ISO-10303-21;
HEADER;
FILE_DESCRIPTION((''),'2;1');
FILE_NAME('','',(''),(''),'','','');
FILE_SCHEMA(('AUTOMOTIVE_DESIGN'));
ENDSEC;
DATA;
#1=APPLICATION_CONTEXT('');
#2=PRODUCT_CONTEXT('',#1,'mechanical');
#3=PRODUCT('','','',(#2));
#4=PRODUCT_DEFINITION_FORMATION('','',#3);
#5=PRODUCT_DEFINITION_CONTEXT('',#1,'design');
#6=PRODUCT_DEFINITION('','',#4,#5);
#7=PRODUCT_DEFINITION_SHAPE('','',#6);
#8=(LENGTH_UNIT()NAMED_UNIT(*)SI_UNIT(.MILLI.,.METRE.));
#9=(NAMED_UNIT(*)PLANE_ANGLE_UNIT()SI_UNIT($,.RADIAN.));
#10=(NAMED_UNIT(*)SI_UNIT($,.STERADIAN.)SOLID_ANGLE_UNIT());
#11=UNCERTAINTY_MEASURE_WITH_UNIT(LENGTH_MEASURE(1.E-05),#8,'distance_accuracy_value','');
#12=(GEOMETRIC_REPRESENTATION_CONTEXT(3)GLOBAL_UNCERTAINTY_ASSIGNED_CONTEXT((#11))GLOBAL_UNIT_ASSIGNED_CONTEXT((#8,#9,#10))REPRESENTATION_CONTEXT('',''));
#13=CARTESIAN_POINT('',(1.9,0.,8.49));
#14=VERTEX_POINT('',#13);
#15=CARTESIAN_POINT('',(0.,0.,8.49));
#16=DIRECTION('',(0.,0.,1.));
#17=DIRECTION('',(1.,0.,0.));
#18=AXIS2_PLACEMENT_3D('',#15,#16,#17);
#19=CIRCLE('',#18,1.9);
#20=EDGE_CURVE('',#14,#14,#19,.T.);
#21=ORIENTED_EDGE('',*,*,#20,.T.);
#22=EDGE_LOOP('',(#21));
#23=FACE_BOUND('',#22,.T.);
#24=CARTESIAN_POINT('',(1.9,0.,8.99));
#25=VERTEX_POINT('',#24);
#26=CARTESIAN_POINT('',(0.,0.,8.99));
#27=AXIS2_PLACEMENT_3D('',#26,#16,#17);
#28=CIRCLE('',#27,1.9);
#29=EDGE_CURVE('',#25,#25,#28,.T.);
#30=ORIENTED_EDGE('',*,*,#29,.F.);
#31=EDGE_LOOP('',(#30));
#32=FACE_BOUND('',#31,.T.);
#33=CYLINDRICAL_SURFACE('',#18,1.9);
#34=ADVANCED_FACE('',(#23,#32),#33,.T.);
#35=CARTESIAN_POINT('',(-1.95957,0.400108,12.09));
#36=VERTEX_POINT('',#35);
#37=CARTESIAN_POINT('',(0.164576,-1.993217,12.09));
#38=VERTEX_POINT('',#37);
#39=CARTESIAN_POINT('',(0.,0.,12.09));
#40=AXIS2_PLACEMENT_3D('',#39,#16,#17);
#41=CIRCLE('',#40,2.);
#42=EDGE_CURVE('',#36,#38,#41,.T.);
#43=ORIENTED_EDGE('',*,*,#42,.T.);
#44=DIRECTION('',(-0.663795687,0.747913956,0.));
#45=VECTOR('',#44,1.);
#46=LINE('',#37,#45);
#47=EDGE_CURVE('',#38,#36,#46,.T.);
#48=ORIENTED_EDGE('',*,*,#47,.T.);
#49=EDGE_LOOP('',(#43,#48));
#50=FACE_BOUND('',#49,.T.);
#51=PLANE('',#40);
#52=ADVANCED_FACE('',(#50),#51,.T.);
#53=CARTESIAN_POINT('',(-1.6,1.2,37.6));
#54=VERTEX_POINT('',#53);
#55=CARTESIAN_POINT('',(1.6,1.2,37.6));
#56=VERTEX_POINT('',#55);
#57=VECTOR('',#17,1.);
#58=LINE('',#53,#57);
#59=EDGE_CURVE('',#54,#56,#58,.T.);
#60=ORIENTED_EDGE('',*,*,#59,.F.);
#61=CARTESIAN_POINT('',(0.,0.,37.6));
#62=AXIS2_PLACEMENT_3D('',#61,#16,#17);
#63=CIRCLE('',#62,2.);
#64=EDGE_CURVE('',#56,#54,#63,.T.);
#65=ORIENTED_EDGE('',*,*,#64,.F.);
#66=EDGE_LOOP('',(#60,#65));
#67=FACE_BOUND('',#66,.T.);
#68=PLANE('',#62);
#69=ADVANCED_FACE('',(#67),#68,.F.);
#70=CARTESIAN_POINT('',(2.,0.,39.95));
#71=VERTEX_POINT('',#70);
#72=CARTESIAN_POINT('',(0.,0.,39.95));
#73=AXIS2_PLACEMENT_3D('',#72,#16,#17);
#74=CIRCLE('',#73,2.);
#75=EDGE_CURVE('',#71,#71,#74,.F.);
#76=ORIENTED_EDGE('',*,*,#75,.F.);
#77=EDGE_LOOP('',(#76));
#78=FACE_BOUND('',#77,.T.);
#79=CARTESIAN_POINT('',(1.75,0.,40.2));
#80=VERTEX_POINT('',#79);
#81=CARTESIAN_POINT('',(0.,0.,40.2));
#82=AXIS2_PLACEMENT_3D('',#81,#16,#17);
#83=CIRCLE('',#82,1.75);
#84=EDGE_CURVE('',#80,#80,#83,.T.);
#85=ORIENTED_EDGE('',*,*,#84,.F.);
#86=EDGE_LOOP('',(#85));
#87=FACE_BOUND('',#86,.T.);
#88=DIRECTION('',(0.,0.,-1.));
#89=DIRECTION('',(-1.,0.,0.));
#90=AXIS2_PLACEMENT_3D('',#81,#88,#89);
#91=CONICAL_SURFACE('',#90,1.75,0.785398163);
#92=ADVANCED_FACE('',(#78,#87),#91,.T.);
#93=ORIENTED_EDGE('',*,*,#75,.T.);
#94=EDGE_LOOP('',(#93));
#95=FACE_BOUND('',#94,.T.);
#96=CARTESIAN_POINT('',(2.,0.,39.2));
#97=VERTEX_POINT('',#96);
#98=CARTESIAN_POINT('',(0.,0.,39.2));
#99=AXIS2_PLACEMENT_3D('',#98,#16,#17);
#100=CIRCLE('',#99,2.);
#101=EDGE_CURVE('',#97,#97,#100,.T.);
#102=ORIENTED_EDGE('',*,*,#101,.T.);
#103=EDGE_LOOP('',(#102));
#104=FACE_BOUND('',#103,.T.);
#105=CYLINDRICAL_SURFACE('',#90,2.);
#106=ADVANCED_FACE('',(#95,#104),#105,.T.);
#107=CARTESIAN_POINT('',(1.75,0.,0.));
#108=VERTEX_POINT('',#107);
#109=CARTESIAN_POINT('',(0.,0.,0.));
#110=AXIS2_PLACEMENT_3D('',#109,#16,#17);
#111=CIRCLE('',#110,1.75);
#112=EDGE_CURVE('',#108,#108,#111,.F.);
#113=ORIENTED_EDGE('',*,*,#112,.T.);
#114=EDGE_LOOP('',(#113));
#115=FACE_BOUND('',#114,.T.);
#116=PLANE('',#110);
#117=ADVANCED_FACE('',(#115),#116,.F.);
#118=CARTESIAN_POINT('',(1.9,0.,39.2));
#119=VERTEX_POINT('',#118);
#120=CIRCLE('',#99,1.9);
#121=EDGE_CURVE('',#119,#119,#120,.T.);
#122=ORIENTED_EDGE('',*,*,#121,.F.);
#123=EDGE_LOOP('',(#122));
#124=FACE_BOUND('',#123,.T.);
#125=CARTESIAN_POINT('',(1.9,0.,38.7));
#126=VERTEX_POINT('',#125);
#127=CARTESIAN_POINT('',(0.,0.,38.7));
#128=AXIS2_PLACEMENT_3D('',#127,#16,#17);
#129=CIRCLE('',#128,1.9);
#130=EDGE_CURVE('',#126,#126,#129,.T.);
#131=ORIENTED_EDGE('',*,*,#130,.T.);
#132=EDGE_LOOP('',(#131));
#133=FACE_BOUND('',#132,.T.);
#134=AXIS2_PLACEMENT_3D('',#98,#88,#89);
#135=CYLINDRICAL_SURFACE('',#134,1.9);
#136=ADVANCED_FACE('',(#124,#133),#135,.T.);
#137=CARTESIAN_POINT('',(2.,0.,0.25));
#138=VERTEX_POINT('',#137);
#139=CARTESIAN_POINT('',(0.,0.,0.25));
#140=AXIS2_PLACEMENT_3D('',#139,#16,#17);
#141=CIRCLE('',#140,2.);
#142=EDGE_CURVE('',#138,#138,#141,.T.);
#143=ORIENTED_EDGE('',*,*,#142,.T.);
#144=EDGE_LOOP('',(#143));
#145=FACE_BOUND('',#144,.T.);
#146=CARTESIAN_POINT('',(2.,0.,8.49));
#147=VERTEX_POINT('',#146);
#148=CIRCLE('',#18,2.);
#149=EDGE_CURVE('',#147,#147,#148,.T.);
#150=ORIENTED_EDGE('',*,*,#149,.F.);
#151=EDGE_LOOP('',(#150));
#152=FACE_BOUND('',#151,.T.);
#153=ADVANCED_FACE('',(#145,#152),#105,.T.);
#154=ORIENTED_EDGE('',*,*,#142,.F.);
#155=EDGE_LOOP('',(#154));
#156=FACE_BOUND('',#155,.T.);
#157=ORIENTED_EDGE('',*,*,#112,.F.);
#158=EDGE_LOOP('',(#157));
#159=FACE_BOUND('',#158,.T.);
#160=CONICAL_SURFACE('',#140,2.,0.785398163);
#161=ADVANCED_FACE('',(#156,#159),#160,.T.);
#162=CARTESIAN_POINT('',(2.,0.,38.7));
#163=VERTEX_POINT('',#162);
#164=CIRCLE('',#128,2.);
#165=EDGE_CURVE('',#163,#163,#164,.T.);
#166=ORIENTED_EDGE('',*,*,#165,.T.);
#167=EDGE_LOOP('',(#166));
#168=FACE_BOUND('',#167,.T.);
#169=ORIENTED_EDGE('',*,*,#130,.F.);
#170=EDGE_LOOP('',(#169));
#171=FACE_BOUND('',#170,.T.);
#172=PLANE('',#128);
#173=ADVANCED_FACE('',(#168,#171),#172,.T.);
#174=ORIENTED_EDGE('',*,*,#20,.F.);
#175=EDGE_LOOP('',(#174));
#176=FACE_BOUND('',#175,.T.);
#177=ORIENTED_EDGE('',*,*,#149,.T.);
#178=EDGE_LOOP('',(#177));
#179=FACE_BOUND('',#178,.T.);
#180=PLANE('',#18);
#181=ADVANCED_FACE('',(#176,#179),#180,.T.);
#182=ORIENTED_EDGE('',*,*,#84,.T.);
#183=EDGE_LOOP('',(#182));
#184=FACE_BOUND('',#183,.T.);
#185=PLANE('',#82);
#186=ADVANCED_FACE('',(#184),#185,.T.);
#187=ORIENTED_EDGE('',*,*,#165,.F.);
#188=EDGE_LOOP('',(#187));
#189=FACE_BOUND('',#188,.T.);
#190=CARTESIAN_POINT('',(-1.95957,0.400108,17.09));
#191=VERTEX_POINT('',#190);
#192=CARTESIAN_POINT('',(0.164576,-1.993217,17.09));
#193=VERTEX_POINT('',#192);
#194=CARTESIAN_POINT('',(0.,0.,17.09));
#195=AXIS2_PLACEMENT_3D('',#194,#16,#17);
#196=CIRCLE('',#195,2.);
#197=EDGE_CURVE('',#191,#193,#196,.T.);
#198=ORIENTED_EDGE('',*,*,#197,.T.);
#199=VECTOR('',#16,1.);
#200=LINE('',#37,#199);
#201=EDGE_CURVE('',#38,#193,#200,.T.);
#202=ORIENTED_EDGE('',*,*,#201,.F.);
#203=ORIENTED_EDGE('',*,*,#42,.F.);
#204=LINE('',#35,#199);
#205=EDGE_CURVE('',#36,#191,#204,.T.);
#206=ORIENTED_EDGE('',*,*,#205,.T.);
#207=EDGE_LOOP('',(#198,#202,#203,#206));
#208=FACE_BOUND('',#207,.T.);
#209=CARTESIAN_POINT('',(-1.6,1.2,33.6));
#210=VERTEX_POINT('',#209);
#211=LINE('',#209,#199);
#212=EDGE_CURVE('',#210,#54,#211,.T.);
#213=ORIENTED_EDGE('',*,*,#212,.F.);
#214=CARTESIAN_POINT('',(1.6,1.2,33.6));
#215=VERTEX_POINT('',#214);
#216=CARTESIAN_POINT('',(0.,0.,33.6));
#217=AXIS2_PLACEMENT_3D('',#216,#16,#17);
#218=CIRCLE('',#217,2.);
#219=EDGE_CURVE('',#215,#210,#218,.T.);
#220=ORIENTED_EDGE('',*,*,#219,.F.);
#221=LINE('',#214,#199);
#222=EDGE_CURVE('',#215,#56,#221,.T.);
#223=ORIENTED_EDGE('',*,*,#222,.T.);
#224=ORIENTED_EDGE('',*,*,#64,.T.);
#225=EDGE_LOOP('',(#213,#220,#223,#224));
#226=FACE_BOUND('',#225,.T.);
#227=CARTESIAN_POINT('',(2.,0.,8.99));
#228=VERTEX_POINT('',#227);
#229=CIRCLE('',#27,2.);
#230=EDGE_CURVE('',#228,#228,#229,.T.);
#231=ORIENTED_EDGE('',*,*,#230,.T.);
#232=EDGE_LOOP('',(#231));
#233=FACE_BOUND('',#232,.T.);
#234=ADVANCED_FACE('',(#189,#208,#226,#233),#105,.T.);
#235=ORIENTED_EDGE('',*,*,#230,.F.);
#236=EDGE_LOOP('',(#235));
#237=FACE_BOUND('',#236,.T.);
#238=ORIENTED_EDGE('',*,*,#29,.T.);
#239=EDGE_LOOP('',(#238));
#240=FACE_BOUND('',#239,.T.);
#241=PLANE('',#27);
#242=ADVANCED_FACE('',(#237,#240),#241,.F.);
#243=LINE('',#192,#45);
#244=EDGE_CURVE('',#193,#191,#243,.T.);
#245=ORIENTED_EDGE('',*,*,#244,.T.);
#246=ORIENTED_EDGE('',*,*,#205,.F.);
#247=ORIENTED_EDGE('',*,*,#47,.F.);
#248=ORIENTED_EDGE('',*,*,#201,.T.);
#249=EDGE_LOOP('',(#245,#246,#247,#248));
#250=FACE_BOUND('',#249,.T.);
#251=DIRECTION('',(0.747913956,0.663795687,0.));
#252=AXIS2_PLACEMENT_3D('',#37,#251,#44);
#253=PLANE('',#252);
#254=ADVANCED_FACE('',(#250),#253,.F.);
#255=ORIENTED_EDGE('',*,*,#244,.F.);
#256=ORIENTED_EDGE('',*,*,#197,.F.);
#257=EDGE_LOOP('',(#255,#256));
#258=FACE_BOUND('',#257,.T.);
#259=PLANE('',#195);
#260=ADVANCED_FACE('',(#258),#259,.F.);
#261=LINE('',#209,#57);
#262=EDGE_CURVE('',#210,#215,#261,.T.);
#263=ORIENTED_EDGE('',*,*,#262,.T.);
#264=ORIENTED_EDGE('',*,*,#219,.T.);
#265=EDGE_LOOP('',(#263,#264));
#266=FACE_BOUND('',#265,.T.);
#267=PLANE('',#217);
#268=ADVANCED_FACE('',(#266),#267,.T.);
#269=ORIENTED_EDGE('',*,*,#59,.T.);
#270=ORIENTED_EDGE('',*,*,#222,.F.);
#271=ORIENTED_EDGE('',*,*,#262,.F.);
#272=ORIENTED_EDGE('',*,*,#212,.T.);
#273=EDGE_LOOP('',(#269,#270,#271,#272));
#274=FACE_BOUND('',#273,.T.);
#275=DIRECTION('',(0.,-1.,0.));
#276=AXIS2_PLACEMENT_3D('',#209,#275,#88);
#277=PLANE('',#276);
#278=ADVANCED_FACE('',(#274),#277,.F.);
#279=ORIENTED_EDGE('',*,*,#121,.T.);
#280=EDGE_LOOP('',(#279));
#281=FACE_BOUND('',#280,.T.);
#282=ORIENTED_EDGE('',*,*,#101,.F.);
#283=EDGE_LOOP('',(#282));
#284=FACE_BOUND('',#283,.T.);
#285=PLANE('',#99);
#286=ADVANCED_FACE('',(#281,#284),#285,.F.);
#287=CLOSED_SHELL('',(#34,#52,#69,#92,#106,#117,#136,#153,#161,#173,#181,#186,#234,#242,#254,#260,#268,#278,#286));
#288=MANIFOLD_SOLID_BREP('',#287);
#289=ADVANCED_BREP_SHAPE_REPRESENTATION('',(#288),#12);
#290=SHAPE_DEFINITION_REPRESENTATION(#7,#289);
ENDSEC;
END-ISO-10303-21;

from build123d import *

# Parameters (mm, degrees)
CIRCLE_R                     = 2
BOSS_EXTRU_1_DEPTH           = 40.2
ENL_V_MAT_EXTRU_1_DEPTH      = 4
ENL_V_MAT_EXTRU_2_DEPTH      = 5
GORGECIRCLIPPOLULU_OUTSIDE_W = 14.12
GORGECIRCLIPPOLULU_OUTSIDE_H = 14.12
GORGECIRCLIPPOLULU_OUTSIDE_R = 1.9
ENL_V_MAT_EXTRU_3_DEPTH      = 0.5
ESQUISSE1_OUTSIDE_W          = 14.12
ESQUISSE1_OUTSIDE_H          = 14.12
ESQUISSE1_OUTSIDE_R          = 1.9
ENL_V_MAT_EXTRU_4_DEPTH      = 0.5
CHANFREIN1_SIZE              = 0.25
CHANFREIN2_SIZE              = 0.25


with BuildPart() as part:
    # Circle → Boss.-Extru.1 (new body)
    with BuildSketch(Plane.XY):
        Circle(CIRCLE_R)
    extrude(amount=BOSS_EXTRU_1_DEPTH)

    # MeplatPololu → Enlèv. mat.-Extru.1 (cut)
    with BuildSketch(Plane.XY.offset(37.6)):
        with BuildLine():
            Line((-1.6, 1.2), (1.6, 1.2))
            ThreePointArc((1.6, 1.2), (0, 2), (-1.6, 1.2))
        make_face()
    extrude(amount=-ENL_V_MAT_EXTRU_1_DEPTH, mode=Mode.SUBTRACT)

    # MeplatRoueDentee → Enlèv. mat.-Extru.2 (cut)
    with BuildSketch(Plane.XY.offset(17.09)):
        with BuildLine():
            Line((0.164576352, -1.993217154), (-1.959569847, 0.400107505))
            ThreePointArc((-1.959569847, 0.400107505), (-1.495827912, -1.327591374), (0.164576352, -1.993217154))
        make_face()
    extrude(amount=-ENL_V_MAT_EXTRU_2_DEPTH, mode=Mode.SUBTRACT)

    # GorgeCirclipPolulu outside → Enlèv. mat.-Extru.3 (cut)
    with BuildSketch(Plane.XY.offset(38.7)):
        Rectangle(GORGECIRCLIPPOLULU_OUTSIDE_W, GORGECIRCLIPPOLULU_OUTSIDE_H)
        Circle(GORGECIRCLIPPOLULU_OUTSIDE_R, mode=Mode.SUBTRACT)
    extrude(amount=ENL_V_MAT_EXTRU_3_DEPTH, mode=Mode.SUBTRACT)

    # Esquisse1 outside → Enlèv. mat.-Extru.4 (cut)
    with BuildSketch(Plane.XY.offset(8.99)):
        Rectangle(ESQUISSE1_OUTSIDE_W, ESQUISSE1_OUTSIDE_H)
        Circle(ESQUISSE1_OUTSIDE_R, mode=Mode.SUBTRACT)
    extrude(amount=-ENL_V_MAT_EXTRU_4_DEPTH, mode=Mode.SUBTRACT)

    # Chanfrein1
    chanfrein1_edges = [part.edges().sort_by_distance(p)[0] for p in [
        (-2, 0, 40.2),
    ]]
    chamfer(chanfrein1_edges, length=CHANFREIN1_SIZE)

    # Chanfrein2
    chanfrein2_edges = [part.edges().sort_by_distance(p)[0] for p in [
        (-2, 0, 0),
    ]]
    chamfer(chanfrein2_edges, length=CHANFREIN2_SIZE)


solid = part.part
